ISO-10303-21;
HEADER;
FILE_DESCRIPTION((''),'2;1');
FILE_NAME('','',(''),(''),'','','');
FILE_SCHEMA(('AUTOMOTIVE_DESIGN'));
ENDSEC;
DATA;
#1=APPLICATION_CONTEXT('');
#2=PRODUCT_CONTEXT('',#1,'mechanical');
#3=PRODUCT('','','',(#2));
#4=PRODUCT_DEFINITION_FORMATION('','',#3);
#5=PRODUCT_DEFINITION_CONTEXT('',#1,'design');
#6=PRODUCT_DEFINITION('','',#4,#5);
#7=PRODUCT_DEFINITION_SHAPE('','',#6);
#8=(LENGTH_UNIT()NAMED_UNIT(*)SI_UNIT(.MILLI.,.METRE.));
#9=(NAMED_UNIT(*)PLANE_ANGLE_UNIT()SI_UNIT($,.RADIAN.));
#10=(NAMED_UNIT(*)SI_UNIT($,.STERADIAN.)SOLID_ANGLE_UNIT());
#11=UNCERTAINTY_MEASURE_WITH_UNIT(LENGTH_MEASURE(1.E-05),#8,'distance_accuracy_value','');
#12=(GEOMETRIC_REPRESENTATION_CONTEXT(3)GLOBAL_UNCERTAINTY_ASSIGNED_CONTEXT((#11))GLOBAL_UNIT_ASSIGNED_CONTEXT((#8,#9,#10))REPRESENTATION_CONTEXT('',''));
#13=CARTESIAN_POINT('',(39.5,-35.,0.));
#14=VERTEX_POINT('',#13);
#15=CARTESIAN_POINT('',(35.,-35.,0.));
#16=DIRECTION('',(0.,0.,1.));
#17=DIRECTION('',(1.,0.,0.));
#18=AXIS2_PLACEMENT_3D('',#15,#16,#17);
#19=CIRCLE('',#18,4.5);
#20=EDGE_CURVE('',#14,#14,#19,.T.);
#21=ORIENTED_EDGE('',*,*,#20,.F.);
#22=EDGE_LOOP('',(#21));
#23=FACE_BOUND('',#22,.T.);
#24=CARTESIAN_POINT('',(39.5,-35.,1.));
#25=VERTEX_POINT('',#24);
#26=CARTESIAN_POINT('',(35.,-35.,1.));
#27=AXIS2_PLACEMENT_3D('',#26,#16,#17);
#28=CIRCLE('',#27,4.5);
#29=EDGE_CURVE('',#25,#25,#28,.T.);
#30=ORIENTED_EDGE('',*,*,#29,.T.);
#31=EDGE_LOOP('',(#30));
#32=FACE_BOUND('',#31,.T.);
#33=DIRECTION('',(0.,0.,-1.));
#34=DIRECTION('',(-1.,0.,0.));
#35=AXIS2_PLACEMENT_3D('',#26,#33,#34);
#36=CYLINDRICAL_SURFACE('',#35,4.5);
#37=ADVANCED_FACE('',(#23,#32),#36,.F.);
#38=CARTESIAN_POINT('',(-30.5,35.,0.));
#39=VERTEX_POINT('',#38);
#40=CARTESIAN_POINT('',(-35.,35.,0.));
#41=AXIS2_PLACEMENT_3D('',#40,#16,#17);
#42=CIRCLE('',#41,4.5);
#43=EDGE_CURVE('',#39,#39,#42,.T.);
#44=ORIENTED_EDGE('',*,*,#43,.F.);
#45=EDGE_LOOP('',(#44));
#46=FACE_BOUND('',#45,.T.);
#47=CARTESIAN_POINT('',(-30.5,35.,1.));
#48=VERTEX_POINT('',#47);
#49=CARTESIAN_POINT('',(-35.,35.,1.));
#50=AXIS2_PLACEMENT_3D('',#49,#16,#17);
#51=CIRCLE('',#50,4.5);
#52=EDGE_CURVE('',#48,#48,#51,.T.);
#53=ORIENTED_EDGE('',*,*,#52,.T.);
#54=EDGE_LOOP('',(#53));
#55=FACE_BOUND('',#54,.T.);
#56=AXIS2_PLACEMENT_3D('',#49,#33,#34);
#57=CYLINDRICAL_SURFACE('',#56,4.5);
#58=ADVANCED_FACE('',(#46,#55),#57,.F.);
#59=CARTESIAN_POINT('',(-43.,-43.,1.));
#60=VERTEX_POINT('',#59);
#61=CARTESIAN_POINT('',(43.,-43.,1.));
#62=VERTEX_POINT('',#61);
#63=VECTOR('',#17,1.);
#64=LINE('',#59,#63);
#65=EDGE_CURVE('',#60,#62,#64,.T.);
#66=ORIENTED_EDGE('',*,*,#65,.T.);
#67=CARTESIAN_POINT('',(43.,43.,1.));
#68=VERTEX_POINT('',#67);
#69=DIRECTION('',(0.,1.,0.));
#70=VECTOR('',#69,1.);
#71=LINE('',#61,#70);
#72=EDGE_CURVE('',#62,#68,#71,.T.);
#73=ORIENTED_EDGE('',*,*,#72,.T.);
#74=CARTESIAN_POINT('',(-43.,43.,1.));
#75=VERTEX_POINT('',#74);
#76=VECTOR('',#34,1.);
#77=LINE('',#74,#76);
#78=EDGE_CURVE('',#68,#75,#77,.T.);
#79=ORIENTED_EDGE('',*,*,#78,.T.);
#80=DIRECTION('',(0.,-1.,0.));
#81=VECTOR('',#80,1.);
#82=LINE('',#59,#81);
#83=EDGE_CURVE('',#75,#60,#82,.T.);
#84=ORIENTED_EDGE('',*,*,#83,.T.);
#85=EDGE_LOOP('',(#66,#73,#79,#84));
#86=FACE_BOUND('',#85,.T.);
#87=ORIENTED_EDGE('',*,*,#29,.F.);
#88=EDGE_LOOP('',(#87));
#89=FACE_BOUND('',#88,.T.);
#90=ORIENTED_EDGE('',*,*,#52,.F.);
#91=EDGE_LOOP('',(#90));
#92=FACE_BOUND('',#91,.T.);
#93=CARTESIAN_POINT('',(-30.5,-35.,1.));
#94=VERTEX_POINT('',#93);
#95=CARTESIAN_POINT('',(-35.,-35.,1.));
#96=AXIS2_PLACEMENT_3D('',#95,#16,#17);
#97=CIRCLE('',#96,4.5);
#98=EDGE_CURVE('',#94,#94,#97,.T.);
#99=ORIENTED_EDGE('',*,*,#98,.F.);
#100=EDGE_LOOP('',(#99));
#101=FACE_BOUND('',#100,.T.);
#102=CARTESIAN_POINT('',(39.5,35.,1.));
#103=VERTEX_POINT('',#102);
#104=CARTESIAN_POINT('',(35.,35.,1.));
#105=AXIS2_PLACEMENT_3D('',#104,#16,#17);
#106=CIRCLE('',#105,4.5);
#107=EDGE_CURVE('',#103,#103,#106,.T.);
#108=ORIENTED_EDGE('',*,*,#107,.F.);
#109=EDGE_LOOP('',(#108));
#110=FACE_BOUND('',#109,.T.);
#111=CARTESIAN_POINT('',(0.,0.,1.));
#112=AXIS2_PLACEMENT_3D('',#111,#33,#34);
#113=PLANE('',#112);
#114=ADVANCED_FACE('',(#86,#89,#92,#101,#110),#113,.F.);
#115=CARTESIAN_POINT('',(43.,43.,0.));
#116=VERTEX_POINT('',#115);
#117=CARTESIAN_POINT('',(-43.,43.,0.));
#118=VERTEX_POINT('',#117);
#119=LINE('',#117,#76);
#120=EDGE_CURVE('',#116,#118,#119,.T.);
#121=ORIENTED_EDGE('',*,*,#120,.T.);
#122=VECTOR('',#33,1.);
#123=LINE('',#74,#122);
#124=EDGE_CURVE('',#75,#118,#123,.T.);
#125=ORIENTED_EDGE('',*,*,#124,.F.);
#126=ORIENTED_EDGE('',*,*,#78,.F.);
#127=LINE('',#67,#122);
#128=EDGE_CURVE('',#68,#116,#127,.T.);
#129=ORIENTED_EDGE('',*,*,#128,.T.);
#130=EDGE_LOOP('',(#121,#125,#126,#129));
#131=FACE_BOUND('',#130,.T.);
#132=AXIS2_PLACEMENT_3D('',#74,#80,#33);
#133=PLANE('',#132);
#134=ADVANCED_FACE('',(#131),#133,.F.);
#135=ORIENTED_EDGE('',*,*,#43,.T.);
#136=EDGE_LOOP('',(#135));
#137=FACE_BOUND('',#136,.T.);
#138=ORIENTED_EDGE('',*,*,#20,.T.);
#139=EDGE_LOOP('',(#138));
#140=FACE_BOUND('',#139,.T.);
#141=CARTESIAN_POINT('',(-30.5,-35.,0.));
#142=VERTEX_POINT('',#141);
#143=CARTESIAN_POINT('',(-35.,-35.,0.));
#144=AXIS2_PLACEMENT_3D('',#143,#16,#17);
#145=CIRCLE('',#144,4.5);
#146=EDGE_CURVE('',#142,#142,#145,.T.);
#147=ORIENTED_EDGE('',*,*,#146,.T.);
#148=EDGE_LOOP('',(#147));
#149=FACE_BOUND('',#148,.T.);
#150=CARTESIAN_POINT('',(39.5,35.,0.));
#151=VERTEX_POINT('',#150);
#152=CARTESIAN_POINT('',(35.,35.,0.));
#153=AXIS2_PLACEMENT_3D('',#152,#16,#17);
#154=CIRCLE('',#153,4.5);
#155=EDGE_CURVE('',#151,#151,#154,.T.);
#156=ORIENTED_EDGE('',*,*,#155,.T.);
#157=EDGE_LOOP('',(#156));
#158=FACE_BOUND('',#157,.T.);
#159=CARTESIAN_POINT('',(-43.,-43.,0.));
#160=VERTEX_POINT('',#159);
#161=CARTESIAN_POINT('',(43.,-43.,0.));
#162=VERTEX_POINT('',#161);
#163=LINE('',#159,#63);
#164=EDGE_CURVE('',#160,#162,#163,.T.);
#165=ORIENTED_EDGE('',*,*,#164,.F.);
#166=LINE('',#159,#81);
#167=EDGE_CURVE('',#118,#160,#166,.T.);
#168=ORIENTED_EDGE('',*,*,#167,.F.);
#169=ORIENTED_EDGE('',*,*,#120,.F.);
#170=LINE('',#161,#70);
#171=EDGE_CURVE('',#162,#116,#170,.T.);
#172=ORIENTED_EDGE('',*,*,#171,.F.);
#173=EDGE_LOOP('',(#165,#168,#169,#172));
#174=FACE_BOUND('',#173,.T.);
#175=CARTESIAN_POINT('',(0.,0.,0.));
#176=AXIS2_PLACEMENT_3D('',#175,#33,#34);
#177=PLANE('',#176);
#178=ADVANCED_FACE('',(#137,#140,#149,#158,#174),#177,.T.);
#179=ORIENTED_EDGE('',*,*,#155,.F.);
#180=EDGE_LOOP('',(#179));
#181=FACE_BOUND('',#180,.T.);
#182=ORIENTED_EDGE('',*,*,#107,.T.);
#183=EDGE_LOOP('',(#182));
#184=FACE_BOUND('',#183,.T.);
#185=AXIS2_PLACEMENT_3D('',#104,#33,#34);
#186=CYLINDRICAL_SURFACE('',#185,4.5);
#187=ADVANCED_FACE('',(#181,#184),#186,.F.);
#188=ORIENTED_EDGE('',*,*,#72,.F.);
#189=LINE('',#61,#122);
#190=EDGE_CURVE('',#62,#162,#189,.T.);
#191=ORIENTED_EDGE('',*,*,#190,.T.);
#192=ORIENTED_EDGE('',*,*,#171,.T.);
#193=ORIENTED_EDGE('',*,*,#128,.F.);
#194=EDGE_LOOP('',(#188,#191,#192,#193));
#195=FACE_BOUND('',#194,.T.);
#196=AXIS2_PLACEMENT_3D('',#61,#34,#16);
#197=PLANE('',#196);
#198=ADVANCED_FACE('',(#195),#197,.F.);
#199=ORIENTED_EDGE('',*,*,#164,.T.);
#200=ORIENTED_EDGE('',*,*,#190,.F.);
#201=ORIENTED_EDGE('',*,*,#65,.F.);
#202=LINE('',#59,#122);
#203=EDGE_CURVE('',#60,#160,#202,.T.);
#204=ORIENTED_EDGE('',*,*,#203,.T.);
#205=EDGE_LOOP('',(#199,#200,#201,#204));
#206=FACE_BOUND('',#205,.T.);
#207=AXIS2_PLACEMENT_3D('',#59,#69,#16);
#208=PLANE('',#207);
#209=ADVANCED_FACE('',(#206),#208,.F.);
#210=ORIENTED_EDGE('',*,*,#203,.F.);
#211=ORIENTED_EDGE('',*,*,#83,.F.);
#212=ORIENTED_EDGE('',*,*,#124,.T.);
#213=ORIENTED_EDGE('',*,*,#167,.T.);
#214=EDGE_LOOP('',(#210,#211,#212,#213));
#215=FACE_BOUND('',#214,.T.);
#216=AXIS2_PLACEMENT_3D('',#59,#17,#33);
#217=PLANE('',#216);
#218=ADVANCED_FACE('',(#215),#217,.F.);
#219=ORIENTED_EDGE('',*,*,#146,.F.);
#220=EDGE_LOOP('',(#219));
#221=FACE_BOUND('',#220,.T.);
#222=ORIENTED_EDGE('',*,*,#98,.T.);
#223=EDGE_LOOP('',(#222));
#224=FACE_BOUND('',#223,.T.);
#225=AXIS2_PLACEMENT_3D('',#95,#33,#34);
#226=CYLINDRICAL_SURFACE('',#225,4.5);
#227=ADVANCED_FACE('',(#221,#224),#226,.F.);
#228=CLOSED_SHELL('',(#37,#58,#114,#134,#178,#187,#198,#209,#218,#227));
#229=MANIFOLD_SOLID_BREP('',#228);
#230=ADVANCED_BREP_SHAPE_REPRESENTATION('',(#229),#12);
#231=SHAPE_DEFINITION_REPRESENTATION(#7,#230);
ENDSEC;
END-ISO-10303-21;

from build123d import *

# Parameters (mm, degrees)
SKETCH1_W           = 86
SKETCH1_H           = 86
SKETCH1_R           = 4.5
BOSS_EXTRUDE1_DEPTH = 1


with BuildPart() as part:
    # Sketch1 → Boss-Extrude1 (new body)
    with BuildSketch(Plane.XY):
        Rectangle(SKETCH1_W, SKETCH1_H)
        with Locations((35, 35)):
            Circle(SKETCH1_R, mode=Mode.SUBTRACT)
        with Locations((35, -35)):
            Circle(SKETCH1_R, mode=Mode.SUBTRACT)
        with Locations((-35, 35)):
            Circle(SKETCH1_R, mode=Mode.SUBTRACT)
        with Locations((-35, -35)):
            Circle(SKETCH1_R, mode=Mode.SUBTRACT)
    extrude(amount=BOSS_EXTRUDE1_DEPTH)


solid = part.part
